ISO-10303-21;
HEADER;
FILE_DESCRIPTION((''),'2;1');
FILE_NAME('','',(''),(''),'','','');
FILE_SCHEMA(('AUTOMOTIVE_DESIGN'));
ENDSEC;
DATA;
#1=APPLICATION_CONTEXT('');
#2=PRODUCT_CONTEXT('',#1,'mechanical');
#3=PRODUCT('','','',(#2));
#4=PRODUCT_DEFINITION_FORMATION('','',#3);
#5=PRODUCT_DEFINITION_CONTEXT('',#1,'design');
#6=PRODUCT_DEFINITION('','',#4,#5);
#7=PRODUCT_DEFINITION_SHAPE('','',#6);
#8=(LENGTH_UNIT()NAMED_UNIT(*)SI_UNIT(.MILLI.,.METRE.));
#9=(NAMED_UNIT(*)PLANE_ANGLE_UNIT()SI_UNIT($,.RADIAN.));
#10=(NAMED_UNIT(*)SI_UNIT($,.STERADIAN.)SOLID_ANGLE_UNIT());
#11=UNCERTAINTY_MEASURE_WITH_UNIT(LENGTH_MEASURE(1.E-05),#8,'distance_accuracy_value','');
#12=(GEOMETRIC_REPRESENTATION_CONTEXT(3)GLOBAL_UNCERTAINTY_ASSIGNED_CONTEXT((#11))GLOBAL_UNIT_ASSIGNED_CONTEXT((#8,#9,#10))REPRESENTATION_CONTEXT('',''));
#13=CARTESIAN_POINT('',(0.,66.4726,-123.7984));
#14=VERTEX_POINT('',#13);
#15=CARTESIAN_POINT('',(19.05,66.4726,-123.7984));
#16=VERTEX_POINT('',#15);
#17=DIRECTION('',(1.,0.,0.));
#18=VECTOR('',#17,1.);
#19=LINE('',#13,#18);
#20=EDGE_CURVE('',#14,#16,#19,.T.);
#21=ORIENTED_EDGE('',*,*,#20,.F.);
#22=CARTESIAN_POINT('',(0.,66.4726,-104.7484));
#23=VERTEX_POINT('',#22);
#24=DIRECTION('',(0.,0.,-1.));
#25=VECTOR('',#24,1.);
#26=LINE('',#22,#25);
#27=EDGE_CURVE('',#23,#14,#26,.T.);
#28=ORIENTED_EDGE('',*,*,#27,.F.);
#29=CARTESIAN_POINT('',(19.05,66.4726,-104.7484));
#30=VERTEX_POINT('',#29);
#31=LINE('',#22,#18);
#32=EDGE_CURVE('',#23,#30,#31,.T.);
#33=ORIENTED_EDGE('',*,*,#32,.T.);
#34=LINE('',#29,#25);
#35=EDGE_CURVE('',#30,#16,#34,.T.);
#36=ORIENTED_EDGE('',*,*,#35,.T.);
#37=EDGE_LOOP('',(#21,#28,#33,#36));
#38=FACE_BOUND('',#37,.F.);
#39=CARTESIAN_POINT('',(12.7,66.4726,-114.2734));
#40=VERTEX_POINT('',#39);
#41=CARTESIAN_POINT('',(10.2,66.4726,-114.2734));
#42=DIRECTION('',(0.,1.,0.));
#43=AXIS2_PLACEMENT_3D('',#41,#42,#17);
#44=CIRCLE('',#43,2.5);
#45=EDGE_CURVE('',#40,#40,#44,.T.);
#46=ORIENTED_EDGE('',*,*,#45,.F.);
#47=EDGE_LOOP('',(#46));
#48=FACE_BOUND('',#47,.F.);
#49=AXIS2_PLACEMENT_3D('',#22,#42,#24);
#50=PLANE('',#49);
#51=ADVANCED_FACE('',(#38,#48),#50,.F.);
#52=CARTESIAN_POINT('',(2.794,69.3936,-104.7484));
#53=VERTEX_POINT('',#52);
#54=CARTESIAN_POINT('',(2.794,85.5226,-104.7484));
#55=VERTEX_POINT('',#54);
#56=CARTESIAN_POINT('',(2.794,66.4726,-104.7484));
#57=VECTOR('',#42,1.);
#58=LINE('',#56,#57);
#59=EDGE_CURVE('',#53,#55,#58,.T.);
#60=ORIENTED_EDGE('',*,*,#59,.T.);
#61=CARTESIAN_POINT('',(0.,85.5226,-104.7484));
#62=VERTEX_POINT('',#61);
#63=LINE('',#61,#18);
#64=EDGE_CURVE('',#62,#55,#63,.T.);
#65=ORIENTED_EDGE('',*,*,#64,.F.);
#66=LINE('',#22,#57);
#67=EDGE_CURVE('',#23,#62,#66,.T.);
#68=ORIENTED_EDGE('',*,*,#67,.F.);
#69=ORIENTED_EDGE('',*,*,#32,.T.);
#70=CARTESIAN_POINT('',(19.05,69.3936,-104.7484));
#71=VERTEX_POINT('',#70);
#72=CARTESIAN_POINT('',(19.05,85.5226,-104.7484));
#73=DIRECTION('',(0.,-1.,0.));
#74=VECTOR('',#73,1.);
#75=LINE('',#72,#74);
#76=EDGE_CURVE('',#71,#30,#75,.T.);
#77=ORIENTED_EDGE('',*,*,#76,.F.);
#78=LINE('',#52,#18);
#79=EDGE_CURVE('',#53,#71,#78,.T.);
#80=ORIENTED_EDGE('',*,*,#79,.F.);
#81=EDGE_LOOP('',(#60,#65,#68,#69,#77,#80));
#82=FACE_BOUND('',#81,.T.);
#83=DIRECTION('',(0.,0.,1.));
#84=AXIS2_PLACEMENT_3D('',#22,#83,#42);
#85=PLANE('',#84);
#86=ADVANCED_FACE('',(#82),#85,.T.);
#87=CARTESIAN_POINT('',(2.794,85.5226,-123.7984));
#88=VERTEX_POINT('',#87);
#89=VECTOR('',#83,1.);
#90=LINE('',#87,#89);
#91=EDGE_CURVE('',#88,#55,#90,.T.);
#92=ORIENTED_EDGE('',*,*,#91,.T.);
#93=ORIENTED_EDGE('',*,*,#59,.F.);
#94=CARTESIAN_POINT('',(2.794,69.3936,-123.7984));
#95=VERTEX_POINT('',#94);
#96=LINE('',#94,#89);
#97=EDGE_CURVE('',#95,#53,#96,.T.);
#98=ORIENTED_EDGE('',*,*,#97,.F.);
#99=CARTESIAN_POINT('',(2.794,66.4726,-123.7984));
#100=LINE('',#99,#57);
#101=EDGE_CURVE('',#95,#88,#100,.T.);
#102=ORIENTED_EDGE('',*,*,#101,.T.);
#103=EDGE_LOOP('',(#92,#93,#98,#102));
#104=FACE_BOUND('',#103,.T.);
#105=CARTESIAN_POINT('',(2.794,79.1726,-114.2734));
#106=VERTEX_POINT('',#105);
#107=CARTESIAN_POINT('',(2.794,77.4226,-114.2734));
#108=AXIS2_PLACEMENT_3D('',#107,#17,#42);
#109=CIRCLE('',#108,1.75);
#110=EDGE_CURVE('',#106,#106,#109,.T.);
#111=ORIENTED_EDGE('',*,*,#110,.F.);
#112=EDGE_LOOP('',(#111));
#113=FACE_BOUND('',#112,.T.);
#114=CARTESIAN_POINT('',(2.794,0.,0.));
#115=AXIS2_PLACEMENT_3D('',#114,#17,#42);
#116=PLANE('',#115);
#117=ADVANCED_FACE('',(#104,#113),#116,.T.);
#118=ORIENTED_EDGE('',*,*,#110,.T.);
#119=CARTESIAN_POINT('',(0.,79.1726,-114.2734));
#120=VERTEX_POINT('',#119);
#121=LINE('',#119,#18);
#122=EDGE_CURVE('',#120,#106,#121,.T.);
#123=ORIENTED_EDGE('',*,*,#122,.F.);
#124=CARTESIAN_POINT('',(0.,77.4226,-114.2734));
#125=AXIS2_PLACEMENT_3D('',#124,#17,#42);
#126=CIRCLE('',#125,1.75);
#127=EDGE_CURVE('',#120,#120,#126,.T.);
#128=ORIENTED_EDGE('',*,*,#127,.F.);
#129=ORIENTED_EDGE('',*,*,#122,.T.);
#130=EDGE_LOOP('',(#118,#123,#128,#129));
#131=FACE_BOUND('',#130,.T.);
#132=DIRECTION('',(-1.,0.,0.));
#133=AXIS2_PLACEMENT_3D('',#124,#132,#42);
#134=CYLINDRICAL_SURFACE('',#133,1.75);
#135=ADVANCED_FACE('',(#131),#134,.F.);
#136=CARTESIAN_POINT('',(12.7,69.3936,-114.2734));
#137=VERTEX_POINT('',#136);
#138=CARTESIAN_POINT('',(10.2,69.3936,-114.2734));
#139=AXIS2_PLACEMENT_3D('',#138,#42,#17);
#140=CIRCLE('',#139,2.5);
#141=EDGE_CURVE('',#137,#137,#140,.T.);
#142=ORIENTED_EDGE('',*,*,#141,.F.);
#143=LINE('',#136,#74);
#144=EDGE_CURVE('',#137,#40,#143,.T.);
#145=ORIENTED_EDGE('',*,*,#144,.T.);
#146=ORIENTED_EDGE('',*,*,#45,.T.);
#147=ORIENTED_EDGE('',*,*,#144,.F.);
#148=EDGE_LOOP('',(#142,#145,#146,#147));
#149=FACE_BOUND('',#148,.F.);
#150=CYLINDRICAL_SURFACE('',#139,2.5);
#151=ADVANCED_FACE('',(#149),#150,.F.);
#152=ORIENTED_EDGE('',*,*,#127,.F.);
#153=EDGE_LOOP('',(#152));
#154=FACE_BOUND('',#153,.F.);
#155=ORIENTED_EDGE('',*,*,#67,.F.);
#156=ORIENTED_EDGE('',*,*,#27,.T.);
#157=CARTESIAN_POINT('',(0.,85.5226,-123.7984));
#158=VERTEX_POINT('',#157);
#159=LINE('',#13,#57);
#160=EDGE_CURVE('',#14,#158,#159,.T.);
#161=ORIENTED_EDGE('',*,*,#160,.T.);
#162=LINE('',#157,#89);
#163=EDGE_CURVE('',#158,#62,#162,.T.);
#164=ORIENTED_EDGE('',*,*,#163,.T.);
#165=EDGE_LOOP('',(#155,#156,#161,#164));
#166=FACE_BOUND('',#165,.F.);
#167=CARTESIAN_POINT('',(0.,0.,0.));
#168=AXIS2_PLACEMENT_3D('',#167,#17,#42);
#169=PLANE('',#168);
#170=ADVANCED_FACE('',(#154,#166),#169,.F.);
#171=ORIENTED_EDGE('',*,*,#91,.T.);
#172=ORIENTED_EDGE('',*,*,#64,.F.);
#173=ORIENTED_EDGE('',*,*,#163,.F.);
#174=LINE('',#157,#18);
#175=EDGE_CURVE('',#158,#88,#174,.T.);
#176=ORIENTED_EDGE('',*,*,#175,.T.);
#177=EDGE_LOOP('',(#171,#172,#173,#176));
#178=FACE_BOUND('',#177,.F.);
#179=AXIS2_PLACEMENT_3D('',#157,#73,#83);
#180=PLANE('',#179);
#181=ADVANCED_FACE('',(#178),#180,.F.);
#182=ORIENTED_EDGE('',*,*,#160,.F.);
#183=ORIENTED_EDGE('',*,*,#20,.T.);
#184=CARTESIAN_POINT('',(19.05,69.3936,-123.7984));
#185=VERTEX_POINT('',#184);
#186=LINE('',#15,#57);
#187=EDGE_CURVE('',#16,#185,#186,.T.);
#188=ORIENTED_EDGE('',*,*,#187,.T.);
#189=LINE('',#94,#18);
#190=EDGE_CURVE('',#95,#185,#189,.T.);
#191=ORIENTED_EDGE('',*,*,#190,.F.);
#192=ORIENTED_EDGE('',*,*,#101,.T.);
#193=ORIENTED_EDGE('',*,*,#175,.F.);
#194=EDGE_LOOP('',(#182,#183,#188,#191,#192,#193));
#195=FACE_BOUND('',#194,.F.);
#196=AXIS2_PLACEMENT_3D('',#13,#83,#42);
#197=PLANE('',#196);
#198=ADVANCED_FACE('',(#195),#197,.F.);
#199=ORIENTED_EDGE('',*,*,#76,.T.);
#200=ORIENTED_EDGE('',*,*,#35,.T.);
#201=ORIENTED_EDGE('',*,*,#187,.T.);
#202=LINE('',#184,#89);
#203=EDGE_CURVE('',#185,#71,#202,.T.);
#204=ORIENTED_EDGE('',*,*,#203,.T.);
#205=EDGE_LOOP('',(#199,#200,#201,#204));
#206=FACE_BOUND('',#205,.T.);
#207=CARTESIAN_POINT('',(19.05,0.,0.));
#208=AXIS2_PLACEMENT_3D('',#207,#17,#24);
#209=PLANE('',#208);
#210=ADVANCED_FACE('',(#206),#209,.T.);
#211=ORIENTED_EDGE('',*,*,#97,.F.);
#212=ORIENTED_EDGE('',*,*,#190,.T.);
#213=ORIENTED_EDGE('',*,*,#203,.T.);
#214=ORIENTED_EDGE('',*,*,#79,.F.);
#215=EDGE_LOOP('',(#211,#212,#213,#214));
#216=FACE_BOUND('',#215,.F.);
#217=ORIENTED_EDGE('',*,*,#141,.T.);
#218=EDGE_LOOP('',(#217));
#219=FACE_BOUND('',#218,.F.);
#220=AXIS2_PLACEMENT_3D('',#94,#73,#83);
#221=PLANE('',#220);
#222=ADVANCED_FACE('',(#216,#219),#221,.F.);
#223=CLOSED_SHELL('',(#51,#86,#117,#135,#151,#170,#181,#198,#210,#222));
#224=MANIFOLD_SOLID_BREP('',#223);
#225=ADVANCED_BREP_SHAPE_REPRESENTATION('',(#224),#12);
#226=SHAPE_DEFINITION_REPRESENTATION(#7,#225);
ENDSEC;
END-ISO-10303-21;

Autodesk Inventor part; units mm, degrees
ref_plane "YZ Plane" through (0, 0, 0) normal (1, 0, 0) x (0, 1, 0)
ref_plane "XZ Plane" through (0, 0, 0) normal (0, 1, 0) x (-1, 0, 0)
ref_plane "XY Plane" through (0, 0, 0) normal (0, 0, 1) x (1, 0, 0)
sketch "Sketch1" plane through (0, 0, 0) normal (1, 0, 0) x (0, 1, 0)
  circle A0 centre (77.4226, -114.2734) radius 1.75 projected
  line L0 (66.4726, -104.7484) -> (66.4726, -123.7984) projected
  line L1 (66.4726, -104.7484) -> (85.5226, -104.7484) projected
  line L2 (85.5226, -123.7984) -> (85.5226, -104.7484) projected
  line L3 (66.4726, -123.7984) -> (85.5226, -123.7984) projected
  point P0 (0, 0)
extrude "Extrusion1" add sketch "Sketch1" along normal blind 2.794
sketch "Sketch3" plane through (2.794, 0, 0) normal (1, 0, 0) x (0, 0, -1)
  line L0 (104.7484, 66.4726) -> (123.7984, 66.4726) projected
  line L1 (104.7484, 85.5226) -> (104.7484, 66.4726) projected
  line L2 (104.7484, 66.4726) -> (104.7484, 69.3936)
  line L3 (104.7484, 66.4726) -> (107.6694, 66.4726) construction
  line L4 (123.7984, 66.4726) -> (123.7984, 85.5226) projected
  line L5 (123.7984, 66.4726) -> (123.7984, 69.3936)
  line L6 (123.7984, 66.4726) -> (126.7194, 66.4726) construction
  line L7 (123.7984, 69.3936) -> (104.7484, 69.3936)
  point P0 (0, 0)
  dimension "d2" = 2.921
  dimension "d3" = 90
  dimension "d4" = 2.921
  dimension "d5" = 90
extrude "Extrusion2" add sketch "Sketch3" along normal blind 16.256
sketch "Sketch4" plane through (2.794, 69.3936, -104.7484) normal (0, 1, 0) x (1, 0, 0)
  line L0 (16.256, 19.05) -> (16.256, 0) construction
  line L1 (16.256, 0) -> (16.256, 19.05) construction
  line L2 (16.256, 9.525) -> (7.406, 9.525) construction
  circle A0 centre (7.406, 9.525) radius 2.5
  point P0 (-2.794, -104.7484)
  dimension "d8" = 8.85
  dimension "d9" = 5
extrude "Extrusion3" cut sketch "Sketch4" against normal blind 16.256
